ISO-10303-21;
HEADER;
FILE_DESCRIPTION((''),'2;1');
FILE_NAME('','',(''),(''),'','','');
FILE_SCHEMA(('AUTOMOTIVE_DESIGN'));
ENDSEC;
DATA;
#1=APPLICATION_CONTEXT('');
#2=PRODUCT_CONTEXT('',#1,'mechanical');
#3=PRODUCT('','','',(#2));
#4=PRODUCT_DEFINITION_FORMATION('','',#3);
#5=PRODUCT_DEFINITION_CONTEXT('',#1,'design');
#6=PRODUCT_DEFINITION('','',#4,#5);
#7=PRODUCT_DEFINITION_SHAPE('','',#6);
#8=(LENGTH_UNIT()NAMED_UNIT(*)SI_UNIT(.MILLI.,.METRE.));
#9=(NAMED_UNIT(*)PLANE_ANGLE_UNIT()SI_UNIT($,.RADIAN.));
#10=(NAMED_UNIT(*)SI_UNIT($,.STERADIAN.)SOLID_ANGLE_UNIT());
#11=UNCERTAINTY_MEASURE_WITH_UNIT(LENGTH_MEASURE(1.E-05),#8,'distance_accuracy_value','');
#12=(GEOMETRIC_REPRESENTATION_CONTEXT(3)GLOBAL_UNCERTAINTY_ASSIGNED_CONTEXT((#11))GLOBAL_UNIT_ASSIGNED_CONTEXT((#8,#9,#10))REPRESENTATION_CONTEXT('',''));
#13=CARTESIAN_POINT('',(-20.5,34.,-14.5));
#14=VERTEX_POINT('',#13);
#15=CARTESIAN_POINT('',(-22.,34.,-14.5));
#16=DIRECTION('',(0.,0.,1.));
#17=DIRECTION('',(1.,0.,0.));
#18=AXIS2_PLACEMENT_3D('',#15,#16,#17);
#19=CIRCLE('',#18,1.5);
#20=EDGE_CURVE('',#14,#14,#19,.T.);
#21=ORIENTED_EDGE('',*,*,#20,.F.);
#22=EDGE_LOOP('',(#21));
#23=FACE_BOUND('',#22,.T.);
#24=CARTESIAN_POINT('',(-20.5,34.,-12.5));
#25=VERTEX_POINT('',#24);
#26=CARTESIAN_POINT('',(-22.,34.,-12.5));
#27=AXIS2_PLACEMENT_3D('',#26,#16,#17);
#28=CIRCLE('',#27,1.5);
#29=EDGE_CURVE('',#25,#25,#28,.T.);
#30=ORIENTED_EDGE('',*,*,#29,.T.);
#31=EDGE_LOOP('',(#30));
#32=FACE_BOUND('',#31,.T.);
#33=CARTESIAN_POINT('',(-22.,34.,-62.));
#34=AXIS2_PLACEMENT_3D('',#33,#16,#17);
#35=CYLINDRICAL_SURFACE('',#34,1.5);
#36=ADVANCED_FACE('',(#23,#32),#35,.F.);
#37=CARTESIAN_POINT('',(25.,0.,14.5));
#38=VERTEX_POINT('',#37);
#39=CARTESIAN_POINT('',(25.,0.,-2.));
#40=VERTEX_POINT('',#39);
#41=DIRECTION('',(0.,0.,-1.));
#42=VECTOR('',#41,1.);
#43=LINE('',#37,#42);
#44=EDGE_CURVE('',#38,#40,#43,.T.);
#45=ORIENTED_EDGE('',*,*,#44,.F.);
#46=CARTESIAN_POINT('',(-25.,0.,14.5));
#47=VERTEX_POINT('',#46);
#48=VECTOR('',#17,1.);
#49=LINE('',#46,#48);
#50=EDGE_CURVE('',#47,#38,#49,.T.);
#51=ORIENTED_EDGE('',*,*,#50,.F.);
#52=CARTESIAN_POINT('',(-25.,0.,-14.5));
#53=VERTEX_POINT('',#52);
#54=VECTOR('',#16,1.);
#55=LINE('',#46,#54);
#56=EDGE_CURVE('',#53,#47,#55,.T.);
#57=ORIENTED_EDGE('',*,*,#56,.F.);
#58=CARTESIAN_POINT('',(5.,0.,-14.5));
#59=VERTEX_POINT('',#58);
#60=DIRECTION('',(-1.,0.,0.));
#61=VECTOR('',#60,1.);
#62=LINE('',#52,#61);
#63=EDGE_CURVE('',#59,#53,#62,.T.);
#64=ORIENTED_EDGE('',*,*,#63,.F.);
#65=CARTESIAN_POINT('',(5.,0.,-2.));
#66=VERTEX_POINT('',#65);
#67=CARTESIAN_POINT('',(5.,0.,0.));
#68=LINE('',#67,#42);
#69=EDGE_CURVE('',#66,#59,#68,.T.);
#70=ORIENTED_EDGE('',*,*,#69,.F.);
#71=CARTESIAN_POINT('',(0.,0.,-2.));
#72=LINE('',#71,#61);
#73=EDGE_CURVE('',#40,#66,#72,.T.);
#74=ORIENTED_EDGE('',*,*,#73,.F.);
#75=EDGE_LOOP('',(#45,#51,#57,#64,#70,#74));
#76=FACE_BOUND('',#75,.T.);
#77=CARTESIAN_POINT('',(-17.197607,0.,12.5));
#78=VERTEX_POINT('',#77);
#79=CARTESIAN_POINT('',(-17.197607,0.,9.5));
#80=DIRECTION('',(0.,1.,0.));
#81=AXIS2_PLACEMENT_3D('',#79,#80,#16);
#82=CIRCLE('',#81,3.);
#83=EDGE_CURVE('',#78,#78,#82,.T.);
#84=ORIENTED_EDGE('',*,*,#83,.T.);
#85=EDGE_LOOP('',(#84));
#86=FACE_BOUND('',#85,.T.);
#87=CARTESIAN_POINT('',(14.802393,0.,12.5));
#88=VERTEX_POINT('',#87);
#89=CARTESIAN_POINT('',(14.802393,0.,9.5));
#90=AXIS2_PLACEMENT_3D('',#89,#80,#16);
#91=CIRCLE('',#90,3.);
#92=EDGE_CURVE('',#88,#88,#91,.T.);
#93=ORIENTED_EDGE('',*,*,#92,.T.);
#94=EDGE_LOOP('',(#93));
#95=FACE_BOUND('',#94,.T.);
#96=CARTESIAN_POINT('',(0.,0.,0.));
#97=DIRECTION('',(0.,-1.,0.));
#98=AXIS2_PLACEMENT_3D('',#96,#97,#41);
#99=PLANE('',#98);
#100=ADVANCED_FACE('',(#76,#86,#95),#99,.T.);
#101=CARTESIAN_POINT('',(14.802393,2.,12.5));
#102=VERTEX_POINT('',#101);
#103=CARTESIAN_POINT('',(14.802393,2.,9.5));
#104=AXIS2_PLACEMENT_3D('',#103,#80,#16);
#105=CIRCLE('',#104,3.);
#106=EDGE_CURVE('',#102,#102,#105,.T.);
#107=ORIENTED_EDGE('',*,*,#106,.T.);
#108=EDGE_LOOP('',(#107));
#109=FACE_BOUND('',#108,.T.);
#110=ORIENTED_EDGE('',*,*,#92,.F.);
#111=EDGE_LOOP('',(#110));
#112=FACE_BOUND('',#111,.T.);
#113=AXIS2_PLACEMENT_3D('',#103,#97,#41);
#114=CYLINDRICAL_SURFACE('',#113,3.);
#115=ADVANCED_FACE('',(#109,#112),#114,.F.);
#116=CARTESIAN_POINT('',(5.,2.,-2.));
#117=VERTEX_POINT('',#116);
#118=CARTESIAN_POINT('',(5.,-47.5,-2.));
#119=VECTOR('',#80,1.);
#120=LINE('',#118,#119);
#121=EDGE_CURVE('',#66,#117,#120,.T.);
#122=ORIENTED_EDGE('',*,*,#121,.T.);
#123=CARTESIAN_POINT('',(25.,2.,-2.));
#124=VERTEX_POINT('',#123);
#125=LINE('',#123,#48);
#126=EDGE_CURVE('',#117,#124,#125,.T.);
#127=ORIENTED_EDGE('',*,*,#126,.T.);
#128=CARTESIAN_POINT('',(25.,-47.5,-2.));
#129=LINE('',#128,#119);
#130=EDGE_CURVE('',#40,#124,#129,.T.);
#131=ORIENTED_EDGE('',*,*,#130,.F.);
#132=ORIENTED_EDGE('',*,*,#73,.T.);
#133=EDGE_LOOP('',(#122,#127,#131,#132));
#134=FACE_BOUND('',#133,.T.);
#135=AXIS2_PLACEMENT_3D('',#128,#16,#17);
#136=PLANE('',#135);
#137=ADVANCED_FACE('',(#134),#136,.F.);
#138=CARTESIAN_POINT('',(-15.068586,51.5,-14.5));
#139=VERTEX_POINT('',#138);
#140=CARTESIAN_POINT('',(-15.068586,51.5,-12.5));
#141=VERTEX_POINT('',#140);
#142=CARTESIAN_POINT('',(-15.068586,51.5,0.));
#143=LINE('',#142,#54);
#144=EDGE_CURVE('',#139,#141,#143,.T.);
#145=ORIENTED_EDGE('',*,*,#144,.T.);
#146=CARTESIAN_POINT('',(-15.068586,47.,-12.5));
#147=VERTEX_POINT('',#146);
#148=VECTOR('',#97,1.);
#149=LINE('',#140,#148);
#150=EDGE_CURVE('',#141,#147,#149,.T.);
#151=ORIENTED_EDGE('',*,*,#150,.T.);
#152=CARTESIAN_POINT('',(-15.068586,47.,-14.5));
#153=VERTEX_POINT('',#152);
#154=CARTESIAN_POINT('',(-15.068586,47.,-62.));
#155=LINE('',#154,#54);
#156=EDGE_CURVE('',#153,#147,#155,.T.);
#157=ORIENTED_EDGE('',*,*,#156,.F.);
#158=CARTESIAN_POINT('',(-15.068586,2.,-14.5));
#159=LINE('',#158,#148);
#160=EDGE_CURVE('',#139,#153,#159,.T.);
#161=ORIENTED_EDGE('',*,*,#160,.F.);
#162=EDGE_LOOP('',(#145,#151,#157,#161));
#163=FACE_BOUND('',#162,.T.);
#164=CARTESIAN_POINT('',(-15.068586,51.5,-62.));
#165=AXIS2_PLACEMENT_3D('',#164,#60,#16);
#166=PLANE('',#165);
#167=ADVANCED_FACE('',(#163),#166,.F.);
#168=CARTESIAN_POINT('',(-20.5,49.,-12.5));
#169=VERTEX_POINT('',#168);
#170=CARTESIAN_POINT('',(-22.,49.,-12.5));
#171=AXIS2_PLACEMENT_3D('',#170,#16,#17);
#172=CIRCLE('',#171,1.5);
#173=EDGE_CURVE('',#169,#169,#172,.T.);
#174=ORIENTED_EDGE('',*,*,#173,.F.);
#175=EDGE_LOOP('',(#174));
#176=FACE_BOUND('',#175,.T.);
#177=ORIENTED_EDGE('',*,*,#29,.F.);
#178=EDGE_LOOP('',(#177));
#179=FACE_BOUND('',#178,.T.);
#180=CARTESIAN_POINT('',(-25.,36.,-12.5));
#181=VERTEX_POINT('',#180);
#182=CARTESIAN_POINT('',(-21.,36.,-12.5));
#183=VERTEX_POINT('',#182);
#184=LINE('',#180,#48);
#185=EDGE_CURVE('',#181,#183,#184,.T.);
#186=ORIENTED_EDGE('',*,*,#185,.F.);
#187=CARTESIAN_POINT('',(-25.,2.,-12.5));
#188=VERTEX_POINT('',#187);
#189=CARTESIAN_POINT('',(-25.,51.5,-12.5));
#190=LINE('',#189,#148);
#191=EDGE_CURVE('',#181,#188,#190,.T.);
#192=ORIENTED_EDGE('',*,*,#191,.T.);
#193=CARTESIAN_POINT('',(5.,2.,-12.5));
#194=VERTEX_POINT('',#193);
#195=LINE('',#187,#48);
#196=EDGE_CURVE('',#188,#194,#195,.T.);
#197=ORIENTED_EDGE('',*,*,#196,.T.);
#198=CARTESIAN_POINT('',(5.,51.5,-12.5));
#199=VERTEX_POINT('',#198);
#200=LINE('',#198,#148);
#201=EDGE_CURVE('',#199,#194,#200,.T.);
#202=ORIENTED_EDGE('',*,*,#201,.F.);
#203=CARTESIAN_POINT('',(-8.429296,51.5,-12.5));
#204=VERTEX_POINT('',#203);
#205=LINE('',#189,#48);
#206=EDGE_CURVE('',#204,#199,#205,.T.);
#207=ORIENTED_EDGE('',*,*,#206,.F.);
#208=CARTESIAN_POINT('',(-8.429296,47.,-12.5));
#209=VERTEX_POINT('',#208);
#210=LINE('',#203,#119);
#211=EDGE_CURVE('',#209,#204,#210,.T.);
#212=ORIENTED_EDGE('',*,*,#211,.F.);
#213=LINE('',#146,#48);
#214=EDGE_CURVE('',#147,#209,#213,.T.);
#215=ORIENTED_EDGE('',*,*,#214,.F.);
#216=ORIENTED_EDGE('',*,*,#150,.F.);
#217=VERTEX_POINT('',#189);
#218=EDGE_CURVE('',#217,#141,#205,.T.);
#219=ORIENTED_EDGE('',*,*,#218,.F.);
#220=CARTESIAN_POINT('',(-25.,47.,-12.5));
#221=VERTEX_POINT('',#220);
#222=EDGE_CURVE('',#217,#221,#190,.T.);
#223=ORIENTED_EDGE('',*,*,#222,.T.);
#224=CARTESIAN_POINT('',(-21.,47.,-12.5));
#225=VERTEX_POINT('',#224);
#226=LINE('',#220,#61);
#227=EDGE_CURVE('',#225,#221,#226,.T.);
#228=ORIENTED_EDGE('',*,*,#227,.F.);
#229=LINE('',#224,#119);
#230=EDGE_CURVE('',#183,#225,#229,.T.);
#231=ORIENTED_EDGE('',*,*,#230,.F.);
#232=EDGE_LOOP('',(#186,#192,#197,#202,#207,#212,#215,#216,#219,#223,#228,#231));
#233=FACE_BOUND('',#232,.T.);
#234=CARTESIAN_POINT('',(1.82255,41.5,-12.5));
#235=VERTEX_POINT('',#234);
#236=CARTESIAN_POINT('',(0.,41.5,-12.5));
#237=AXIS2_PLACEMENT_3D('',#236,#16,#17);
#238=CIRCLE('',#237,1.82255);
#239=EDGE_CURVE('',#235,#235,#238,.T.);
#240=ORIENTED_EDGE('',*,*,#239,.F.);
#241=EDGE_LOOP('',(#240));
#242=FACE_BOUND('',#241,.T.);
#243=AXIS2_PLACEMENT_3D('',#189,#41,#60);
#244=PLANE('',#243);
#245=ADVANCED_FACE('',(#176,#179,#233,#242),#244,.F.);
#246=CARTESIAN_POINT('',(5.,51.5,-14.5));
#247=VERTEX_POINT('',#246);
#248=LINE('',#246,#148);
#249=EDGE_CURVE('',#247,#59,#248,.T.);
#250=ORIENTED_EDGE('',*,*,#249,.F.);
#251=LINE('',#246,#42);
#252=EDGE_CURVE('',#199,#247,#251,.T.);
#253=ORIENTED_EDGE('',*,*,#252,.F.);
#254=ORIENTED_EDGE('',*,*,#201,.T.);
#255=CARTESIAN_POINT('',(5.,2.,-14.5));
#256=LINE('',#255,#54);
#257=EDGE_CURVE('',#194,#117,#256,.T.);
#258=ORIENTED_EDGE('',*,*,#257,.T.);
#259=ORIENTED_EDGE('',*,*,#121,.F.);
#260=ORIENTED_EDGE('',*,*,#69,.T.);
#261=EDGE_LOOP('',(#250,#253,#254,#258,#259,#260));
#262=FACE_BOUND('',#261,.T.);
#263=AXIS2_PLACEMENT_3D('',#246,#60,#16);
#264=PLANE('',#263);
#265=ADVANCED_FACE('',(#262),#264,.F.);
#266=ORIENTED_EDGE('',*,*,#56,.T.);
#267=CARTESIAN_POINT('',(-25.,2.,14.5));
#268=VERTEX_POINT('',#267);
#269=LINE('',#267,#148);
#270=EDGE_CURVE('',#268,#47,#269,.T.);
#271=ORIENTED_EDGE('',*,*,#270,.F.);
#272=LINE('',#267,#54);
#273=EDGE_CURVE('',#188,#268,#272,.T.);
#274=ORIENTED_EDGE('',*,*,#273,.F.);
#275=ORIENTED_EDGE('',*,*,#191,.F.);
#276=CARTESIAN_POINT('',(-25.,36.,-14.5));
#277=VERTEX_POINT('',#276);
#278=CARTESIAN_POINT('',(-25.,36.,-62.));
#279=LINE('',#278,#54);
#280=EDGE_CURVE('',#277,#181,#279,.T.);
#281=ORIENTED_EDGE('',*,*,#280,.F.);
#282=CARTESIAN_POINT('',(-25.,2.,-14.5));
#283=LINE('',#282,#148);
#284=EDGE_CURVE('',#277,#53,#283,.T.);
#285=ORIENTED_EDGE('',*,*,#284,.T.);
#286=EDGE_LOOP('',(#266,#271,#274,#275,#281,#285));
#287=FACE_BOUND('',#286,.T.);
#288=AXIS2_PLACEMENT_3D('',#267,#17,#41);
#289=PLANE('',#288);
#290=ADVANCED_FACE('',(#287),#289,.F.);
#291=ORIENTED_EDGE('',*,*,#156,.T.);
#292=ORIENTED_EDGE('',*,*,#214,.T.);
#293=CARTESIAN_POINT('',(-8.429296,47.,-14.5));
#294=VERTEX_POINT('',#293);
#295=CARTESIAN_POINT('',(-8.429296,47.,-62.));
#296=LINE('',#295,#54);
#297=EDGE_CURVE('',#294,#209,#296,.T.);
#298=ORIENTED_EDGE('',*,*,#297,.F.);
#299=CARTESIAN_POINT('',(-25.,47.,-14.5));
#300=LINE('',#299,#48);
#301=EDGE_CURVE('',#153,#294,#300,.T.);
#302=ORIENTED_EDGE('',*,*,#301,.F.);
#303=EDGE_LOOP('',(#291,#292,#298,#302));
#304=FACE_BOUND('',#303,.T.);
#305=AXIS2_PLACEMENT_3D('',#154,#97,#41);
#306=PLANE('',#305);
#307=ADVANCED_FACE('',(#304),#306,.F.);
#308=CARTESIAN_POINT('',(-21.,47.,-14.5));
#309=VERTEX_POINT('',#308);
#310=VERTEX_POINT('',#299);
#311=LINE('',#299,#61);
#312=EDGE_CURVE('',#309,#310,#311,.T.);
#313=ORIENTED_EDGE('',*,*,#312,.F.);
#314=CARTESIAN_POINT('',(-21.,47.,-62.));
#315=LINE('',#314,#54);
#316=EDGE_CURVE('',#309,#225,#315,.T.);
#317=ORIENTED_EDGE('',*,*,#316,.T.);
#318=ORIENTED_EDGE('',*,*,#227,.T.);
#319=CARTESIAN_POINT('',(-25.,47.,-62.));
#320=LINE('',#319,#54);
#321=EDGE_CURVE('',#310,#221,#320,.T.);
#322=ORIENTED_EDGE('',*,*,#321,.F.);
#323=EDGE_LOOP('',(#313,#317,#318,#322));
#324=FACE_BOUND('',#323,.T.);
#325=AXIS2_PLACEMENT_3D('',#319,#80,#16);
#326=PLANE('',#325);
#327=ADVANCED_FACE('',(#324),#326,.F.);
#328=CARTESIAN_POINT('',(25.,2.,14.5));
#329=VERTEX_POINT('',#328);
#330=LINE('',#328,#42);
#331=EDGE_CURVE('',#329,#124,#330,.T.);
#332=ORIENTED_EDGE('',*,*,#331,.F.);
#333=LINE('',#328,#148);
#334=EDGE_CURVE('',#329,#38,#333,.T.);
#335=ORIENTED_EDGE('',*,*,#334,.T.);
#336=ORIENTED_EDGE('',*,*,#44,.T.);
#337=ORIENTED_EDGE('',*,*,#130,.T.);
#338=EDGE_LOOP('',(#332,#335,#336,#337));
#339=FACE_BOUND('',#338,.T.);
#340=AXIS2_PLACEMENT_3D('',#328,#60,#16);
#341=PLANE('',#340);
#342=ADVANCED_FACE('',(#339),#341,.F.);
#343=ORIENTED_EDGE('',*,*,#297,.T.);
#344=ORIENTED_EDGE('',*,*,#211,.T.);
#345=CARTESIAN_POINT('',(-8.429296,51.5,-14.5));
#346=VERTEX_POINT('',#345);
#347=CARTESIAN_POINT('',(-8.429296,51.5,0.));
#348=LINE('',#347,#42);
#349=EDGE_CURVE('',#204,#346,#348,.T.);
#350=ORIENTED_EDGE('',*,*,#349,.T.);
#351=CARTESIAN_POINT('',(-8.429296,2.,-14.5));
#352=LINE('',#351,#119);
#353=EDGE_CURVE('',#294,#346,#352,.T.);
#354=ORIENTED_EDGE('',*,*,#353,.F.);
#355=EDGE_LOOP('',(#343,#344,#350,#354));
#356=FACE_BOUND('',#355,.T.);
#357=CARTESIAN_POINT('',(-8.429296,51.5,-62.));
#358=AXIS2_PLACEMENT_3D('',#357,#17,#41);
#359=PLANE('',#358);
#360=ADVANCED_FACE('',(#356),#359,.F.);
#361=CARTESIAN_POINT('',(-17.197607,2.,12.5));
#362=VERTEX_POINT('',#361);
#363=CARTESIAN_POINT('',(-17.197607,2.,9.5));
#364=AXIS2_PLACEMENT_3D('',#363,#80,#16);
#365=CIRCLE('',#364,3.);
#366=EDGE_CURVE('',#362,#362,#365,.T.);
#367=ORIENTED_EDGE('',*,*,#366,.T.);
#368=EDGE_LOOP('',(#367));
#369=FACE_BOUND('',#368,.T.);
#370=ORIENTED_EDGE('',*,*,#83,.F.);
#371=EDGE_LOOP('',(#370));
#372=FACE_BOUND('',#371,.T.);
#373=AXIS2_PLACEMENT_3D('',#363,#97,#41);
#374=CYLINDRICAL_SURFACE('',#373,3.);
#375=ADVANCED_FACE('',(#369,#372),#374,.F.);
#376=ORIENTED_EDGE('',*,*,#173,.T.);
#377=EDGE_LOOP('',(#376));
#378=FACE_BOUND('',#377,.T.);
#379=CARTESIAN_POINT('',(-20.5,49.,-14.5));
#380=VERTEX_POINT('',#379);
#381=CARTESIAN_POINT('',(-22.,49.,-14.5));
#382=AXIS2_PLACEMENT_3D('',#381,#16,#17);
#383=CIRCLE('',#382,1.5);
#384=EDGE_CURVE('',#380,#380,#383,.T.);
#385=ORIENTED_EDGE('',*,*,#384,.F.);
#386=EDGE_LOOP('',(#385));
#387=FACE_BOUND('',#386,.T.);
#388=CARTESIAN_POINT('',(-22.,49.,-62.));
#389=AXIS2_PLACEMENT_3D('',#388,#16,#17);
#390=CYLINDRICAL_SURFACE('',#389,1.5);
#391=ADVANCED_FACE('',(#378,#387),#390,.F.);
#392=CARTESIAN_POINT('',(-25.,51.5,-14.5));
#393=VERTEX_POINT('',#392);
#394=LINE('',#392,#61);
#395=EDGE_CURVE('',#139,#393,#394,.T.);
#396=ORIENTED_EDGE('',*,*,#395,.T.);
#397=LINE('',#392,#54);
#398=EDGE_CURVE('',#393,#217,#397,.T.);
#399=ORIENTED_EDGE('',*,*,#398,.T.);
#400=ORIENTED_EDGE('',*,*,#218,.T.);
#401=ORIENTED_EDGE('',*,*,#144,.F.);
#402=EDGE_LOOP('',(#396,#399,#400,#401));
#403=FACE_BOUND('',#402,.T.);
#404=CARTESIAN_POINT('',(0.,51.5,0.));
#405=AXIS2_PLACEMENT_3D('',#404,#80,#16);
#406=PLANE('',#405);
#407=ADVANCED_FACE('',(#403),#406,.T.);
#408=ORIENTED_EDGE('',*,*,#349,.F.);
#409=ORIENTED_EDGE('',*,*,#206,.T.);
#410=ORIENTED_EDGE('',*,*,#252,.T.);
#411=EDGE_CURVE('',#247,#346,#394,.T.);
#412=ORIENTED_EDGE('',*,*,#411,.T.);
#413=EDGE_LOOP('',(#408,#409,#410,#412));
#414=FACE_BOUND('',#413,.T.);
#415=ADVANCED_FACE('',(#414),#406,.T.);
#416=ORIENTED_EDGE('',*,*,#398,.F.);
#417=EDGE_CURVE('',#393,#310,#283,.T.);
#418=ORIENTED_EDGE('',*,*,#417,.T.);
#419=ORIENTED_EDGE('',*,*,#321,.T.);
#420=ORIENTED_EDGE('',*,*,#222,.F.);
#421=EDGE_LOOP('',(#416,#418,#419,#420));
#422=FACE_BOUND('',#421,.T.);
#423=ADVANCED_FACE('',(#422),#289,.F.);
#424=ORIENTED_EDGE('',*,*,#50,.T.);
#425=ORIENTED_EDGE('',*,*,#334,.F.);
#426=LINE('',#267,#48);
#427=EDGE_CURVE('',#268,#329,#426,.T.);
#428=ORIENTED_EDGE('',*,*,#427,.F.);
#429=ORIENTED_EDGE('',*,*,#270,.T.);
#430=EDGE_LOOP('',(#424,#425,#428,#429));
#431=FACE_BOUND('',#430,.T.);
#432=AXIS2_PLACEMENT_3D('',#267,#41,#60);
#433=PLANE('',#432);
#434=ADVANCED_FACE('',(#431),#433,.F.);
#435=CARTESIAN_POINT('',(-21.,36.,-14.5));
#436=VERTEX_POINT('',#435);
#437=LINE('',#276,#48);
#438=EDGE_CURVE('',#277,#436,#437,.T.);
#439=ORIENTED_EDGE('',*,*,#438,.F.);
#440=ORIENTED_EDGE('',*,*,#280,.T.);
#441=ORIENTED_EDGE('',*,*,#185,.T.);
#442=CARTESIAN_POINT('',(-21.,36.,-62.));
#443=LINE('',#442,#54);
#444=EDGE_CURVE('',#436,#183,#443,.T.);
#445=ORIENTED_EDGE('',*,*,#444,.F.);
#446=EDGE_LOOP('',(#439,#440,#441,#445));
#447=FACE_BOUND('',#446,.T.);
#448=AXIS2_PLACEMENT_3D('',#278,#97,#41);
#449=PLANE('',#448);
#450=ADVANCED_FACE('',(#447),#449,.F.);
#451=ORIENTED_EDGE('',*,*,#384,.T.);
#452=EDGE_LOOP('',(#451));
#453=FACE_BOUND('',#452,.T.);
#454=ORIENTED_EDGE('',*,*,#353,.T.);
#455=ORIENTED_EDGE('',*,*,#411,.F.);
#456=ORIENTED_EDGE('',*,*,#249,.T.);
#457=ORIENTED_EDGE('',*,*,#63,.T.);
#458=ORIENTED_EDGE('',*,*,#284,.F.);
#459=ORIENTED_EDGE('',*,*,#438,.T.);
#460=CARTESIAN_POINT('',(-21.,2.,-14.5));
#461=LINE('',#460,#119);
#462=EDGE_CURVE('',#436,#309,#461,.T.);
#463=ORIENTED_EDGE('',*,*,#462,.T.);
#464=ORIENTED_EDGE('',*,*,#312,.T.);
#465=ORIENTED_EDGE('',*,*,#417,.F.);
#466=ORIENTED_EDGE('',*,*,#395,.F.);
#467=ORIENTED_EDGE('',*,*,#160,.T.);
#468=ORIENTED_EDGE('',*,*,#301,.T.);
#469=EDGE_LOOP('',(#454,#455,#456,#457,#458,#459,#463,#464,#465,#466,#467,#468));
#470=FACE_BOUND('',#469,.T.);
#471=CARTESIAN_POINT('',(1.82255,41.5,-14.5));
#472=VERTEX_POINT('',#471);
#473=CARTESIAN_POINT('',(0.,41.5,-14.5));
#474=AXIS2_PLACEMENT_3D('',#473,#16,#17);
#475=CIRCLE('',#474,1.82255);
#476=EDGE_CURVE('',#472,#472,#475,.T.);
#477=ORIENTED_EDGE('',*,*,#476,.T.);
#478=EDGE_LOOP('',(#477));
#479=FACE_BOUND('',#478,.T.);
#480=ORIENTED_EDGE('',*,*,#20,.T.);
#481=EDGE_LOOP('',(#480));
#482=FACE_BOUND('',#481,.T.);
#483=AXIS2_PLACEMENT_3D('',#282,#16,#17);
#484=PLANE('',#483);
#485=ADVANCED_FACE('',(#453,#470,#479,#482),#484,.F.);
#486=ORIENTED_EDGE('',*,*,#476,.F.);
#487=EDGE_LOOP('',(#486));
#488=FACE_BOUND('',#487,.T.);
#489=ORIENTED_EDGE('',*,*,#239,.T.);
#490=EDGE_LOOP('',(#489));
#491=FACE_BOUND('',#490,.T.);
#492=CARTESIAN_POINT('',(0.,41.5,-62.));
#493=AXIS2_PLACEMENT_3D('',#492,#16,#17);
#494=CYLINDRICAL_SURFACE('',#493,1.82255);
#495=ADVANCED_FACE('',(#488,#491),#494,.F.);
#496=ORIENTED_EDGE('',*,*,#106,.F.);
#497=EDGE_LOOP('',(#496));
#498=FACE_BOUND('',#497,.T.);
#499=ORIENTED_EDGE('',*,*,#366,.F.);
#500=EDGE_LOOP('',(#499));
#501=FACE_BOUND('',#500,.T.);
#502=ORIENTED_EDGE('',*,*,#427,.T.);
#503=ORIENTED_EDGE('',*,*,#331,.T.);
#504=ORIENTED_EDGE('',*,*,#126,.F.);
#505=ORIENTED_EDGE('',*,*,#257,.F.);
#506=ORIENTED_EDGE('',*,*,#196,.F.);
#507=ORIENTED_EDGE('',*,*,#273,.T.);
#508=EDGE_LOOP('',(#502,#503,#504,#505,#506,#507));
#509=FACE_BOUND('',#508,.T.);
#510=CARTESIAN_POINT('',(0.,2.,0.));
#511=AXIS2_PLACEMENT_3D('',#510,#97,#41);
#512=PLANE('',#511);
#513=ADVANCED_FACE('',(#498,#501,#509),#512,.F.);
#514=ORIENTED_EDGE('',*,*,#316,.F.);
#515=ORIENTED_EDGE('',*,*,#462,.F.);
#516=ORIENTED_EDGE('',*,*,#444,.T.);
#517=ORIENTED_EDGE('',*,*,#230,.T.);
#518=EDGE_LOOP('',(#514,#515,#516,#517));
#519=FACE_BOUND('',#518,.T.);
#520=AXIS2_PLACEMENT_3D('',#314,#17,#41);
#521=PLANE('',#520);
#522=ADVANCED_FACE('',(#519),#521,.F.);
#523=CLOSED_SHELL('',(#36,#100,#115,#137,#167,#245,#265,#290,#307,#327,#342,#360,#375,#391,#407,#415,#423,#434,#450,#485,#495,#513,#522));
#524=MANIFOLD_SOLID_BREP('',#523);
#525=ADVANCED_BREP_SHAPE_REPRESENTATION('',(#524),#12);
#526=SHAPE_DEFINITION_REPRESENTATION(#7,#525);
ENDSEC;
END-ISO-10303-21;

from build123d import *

# Parameters (mm, degrees)
SKIZZE1_W                       = 50
SKIZZE1_H                       = 29
SKIZZE1_R                       = 3
AUFSATZ_LINEAR_AUSTRAGEN1_DEPTH = 2
SKIZZE2_W                       = 30
SKIZZE2_H                       = 2
AUFSATZ_LINEAR_AUSTRAGEN2_DEPTH = 49.5
SKIZZE3_R                       = 1.5
SKIZZE3_R_2                     = 1.822550398
SKIZZE3_W                       = 4
SKIZZE3_H                       = 11
SKIZZE3_W_2                     = 6.639290737
SKIZZE3_H_2                     = 4.5
SCHNITT_LINEAR_AUSTRAGEN1_DEPTH = 49.5
SKIZZE4_W                       = 20
SKIZZE4_H                       = 12.5
SCHNITT_LINEAR_AUSTRAGEN2_DEPTH = 49.5


with BuildPart() as part:
    # Skizze1 → Aufsatz-Linear austragen1 (new body)
    with BuildSketch(Plane(origin=(0, 0, 0), x_dir=(1, 0, 0), z_dir=(0, 1, 0))):
        Rectangle(SKIZZE1_W, SKIZZE1_H)
        with Locations(Location((14.802393345, -9.5, 0), (0, 0, 270))):
            Circle(SKIZZE1_R, mode=Mode.SUBTRACT)
        with Locations(Location((-17.197606655, -9.5, 0), (0, 0, 270))):
            Circle(SKIZZE1_R, mode=Mode.SUBTRACT)
    extrude(amount=AUFSATZ_LINEAR_AUSTRAGEN1_DEPTH)

    # Skizze2 → Aufsatz-Linear austragen2 (add)
    with BuildSketch(Plane(origin=(0, 2, 0), x_dir=(1, 0, 0), z_dir=(0, 1, 0))):
        with Locations((-10, 13.5)):
            Rectangle(SKIZZE2_W, SKIZZE2_H)
    extrude(amount=AUFSATZ_LINEAR_AUSTRAGEN2_DEPTH)

    # Skizze3 → Schnitt-Linear austragen1 (cut)
    with BuildSketch(Plane.XY.offset(-12.5)):
        with Locations((-22, 49)):
            Circle(SKIZZE3_R)
        with Locations((-22, 34)):
            Circle(SKIZZE3_R)
        with Locations((0, 41.5)):
            Circle(SKIZZE3_R_2)
        with Locations((-23, 41.5)):
            Rectangle(SKIZZE3_W, SKIZZE3_H)
        with Locations((-11.748940962, 49.25)):
            Rectangle(SKIZZE3_W_2, SKIZZE3_H_2)
    extrude(amount=-SCHNITT_LINEAR_AUSTRAGEN1_DEPTH, mode=Mode.SUBTRACT)

    # Skizze4 → Schnitt-Linear austragen2 (cut)
    with BuildSketch(Plane(origin=(0, 2, 0), x_dir=(1, 0, 0), z_dir=(0, 1, 0))):
        with Locations((15, 8.25)):
            Rectangle(SKIZZE4_W, SKIZZE4_H)
    extrude(amount=-SCHNITT_LINEAR_AUSTRAGEN2_DEPTH, mode=Mode.SUBTRACT)


solid = part.part
